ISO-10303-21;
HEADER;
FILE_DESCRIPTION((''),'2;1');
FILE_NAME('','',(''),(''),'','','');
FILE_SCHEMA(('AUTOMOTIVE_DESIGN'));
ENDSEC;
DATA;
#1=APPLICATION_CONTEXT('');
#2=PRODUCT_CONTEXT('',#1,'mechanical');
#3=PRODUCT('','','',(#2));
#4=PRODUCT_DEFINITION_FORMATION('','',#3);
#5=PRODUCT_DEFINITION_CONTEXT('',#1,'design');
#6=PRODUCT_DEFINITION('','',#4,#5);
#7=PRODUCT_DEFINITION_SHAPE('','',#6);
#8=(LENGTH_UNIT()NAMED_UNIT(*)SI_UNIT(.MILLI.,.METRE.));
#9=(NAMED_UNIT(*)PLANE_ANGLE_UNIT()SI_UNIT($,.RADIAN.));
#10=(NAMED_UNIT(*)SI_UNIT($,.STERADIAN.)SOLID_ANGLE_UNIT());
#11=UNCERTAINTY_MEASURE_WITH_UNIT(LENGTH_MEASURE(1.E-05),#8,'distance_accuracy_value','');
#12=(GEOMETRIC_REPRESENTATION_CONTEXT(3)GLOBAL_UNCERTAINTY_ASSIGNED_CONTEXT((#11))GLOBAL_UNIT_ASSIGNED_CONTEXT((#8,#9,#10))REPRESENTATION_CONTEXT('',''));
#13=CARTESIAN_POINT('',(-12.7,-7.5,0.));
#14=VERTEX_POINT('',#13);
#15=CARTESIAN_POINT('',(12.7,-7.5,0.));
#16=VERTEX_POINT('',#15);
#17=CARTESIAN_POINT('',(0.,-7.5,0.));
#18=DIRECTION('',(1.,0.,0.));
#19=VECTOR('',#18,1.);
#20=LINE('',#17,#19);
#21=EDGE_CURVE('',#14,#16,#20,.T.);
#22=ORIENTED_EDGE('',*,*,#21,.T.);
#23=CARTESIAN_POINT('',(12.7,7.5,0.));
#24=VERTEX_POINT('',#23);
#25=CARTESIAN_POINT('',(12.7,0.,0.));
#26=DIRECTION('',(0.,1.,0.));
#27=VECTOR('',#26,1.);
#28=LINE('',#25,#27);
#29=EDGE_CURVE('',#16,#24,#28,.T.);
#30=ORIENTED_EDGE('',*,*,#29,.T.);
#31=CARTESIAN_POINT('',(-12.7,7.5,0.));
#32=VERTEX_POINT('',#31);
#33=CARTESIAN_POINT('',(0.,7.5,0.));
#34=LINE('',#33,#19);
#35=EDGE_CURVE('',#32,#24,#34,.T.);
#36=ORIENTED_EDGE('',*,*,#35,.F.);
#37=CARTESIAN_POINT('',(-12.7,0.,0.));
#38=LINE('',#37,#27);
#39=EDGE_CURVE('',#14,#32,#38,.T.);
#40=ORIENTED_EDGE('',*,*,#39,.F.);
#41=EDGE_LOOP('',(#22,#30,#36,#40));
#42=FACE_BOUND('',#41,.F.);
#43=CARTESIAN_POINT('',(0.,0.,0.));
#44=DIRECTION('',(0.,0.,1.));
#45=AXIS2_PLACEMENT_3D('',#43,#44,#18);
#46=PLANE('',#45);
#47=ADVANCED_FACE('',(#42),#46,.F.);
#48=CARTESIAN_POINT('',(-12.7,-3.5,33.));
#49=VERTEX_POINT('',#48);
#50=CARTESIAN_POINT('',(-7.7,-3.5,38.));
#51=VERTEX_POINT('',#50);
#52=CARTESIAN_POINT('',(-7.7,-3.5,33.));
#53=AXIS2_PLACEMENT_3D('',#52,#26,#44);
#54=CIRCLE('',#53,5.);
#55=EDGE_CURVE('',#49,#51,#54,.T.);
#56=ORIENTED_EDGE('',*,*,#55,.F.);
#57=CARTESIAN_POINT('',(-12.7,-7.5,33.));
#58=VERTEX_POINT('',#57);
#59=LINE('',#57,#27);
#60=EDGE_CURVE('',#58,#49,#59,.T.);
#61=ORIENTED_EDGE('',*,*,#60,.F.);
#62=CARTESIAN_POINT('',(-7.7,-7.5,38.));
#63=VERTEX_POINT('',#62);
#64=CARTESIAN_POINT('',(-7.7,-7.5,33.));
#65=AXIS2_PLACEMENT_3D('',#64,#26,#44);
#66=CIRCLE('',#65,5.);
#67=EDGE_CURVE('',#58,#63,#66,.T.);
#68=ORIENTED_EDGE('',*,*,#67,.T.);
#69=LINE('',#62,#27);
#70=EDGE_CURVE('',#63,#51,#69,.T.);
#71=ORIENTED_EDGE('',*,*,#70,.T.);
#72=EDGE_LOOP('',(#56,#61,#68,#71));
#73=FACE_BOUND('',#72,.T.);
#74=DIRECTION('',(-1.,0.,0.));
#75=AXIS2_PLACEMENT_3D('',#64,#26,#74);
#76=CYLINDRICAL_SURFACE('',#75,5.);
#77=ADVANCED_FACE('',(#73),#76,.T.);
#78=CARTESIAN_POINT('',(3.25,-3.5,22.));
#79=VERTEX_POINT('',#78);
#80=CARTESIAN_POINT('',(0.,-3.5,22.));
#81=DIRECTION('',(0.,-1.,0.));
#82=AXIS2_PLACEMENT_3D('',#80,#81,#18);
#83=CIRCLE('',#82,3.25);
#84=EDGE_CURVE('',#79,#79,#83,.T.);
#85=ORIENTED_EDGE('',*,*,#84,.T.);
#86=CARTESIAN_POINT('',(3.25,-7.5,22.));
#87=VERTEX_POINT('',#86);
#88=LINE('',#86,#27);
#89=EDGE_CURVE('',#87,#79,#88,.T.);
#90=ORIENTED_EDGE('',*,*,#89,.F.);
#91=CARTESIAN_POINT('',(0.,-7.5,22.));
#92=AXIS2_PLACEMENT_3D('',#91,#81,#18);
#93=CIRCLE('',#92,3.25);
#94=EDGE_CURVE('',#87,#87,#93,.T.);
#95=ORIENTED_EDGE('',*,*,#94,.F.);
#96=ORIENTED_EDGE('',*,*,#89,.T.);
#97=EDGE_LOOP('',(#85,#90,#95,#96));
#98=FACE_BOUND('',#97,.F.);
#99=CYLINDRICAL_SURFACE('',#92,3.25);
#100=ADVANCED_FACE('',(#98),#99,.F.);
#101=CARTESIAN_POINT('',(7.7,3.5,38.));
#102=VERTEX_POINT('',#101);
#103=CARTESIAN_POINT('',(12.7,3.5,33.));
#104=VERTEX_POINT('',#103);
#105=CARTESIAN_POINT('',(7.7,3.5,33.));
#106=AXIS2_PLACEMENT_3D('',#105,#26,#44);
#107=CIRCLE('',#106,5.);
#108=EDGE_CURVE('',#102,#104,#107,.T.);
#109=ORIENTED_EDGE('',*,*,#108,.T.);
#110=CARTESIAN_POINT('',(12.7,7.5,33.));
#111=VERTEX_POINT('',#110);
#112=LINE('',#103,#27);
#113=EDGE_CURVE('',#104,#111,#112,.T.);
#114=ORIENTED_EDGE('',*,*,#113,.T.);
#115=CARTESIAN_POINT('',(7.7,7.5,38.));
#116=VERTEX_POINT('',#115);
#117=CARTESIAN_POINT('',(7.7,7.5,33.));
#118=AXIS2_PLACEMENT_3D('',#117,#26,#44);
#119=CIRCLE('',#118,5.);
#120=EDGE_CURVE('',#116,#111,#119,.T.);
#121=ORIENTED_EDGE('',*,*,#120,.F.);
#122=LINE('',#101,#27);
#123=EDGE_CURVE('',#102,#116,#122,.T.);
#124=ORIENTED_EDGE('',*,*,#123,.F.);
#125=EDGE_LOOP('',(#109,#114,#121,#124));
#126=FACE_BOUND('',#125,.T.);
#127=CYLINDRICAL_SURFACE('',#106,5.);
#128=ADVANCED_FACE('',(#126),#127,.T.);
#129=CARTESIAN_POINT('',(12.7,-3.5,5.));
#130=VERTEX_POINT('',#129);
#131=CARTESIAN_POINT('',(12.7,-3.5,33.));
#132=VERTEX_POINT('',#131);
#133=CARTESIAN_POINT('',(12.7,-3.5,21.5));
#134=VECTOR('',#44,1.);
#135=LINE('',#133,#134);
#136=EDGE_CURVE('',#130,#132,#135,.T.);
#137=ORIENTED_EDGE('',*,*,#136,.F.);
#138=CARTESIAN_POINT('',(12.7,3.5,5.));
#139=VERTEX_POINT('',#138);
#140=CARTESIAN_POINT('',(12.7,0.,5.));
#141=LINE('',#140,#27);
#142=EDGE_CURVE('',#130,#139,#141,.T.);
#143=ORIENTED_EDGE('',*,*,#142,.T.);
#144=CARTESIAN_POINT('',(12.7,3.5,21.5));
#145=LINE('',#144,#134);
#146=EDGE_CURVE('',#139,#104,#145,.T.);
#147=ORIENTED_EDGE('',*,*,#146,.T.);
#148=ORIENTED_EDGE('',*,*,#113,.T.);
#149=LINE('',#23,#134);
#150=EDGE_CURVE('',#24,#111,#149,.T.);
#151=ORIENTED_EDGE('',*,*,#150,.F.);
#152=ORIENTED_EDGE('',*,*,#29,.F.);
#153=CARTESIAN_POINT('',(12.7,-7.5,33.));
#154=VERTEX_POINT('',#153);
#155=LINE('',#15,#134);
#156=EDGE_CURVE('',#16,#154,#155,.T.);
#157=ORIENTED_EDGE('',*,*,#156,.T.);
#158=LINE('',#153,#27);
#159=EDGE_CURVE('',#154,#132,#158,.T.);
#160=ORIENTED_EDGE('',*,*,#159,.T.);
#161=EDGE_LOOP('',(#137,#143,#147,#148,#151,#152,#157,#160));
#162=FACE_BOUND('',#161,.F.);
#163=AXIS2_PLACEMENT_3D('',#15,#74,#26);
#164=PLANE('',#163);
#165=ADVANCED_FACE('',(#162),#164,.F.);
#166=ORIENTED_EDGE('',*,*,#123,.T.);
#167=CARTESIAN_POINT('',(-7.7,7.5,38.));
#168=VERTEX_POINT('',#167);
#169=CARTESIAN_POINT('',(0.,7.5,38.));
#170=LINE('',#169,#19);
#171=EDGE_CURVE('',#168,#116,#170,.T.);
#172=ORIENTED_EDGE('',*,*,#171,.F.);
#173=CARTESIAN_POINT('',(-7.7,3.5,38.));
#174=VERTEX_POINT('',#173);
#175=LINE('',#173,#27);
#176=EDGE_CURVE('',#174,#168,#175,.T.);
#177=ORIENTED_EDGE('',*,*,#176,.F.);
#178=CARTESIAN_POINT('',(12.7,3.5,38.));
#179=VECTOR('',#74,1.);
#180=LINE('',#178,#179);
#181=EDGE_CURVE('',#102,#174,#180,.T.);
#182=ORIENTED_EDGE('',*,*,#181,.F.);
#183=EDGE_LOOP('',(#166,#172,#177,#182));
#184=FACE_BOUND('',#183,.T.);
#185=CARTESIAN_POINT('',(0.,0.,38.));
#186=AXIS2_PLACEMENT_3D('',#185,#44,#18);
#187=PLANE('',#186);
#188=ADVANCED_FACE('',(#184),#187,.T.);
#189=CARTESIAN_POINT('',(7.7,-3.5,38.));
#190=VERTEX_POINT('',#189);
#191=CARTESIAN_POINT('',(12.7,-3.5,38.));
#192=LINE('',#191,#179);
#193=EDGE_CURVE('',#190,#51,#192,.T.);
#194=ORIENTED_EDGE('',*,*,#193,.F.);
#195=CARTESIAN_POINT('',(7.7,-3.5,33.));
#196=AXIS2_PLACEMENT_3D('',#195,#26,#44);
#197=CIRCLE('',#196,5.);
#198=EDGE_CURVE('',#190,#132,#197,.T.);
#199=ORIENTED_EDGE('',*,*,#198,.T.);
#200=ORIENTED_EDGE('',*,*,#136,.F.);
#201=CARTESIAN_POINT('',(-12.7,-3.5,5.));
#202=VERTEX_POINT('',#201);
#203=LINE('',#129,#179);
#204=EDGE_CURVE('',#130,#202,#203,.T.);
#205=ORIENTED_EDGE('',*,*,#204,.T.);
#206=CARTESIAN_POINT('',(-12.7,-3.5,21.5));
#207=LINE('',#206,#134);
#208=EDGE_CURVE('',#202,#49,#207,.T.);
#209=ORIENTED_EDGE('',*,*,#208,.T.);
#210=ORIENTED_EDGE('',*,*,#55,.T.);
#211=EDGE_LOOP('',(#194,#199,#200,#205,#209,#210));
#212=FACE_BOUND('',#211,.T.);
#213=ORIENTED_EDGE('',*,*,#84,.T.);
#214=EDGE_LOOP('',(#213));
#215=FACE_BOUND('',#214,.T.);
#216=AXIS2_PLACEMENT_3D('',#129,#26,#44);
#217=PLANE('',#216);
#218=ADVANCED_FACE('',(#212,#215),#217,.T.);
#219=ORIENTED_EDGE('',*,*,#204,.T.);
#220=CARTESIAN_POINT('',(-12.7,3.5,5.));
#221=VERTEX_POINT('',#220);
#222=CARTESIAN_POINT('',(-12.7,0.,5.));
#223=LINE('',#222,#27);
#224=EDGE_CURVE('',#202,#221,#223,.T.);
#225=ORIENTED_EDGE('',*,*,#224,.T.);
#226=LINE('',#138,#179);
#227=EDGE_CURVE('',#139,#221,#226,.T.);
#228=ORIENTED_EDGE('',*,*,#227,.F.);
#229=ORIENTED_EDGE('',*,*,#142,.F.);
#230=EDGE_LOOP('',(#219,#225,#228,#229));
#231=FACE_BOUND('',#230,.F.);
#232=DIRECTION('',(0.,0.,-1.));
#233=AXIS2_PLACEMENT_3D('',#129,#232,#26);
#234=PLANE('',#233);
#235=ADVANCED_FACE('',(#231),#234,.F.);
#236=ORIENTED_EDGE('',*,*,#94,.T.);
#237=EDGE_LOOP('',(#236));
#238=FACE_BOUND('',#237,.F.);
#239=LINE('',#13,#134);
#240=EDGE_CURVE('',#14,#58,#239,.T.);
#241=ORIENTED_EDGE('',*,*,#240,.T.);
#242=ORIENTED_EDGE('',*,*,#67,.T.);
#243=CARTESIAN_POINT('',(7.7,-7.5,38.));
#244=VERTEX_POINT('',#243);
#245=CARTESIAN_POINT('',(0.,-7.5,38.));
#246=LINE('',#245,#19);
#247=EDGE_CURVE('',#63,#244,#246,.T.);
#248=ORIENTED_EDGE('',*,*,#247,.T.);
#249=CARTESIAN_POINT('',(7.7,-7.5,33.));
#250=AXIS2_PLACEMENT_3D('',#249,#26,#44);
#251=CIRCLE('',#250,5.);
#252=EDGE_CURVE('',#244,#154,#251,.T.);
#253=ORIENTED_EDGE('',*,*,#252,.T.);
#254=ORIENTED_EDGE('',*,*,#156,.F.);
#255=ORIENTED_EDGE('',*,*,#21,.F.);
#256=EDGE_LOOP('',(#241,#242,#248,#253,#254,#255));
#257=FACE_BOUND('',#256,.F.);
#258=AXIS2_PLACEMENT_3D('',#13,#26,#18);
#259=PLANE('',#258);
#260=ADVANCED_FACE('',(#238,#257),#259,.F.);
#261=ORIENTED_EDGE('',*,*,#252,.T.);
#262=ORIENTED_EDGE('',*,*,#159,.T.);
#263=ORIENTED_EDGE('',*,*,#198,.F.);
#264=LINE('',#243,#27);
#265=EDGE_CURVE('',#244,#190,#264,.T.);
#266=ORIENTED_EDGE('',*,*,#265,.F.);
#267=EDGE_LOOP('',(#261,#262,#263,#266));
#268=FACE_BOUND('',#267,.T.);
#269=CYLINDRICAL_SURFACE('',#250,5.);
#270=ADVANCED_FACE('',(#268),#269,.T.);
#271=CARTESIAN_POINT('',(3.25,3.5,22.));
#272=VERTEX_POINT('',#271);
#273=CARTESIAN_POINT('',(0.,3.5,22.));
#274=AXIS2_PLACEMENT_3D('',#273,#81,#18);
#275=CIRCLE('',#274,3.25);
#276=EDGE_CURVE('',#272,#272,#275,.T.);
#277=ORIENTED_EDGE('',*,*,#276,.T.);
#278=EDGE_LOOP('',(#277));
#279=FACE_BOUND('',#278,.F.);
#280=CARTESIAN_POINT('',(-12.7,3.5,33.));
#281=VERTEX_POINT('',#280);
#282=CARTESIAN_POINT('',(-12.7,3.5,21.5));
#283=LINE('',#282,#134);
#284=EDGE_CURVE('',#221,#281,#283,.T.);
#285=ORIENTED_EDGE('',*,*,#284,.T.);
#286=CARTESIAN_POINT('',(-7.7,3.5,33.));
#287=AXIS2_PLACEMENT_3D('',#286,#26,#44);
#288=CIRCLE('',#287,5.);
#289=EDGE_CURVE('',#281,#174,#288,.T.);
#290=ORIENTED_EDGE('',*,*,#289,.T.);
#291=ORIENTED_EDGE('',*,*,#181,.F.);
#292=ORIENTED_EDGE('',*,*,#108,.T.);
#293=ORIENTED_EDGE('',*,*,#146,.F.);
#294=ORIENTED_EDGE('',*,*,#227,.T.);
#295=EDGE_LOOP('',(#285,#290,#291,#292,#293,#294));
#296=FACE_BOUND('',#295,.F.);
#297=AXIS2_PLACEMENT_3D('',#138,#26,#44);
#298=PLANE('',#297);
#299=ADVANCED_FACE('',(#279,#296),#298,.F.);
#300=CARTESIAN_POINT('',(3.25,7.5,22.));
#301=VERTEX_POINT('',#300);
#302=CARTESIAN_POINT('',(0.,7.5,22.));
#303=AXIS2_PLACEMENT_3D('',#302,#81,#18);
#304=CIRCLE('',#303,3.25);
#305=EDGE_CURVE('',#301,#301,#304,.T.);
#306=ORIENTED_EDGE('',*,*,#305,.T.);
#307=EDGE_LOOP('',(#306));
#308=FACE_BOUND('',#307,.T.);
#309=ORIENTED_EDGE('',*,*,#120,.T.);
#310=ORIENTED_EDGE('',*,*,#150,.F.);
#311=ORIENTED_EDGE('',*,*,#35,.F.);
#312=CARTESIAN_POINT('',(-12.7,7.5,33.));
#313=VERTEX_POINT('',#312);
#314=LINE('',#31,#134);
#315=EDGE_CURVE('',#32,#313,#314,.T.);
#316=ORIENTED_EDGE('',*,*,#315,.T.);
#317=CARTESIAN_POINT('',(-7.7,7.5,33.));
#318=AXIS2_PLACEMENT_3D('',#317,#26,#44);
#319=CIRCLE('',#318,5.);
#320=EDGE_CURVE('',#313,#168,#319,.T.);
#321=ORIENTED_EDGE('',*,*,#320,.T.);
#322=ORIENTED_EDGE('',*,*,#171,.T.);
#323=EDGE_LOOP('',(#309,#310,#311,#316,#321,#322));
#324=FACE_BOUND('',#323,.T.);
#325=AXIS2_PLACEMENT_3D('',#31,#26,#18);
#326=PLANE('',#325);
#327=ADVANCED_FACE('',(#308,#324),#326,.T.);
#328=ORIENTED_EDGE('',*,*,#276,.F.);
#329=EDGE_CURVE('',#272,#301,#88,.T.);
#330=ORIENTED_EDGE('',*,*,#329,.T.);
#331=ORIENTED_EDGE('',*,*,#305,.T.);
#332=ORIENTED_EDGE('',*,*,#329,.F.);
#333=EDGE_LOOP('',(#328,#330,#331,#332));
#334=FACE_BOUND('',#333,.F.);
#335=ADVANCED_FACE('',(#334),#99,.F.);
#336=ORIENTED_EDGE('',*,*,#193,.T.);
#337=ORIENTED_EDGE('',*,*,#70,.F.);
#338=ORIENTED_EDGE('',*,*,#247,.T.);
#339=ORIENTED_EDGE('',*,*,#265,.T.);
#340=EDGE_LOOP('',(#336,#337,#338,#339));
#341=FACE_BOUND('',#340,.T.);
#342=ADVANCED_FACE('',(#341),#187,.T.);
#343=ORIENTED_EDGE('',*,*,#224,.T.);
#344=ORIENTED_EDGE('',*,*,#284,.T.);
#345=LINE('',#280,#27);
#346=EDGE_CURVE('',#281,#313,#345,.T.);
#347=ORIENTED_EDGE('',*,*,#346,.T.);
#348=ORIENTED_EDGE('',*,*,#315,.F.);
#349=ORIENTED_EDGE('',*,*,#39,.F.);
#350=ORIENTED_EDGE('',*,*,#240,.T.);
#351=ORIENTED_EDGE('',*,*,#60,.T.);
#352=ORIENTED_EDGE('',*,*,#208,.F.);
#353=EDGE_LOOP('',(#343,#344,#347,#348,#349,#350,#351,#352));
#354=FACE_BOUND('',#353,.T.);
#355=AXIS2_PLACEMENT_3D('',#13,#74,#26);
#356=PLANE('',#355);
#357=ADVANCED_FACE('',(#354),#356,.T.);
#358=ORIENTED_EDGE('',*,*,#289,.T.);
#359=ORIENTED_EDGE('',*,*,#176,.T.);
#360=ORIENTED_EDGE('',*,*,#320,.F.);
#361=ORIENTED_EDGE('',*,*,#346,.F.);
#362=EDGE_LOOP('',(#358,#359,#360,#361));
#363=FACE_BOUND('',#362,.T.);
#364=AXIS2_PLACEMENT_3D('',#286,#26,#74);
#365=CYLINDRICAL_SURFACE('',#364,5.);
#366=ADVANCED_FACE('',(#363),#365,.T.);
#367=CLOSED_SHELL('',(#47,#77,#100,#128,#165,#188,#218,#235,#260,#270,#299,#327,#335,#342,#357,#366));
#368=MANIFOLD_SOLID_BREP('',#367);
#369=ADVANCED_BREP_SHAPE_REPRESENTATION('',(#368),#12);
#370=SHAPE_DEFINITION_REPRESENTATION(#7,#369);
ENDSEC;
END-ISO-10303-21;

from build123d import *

# Parameters (mm, degrees)
F0_W     = 25.4
F0_H     = 15
F1_DEPTH = 38
F2_W     = 7
F2_H     = 33
F3_DEPTH = 25.4
F4_R     = 5
F5_R     = 3.25
F6_DEPTH = 25


with BuildPart() as f1:
    # F0 (on Top) → F1 (new body)
    with BuildSketch(Plane.XY):
        Rectangle(F0_W, F0_H)
    extrude(amount=F1_DEPTH)

    # F2 (on face) → F3 (cut, through all)
    with BuildSketch(Plane.YZ.offset(12.7)):
        with Locations((0, 21.5)):
            Rectangle(F2_W, F2_H)
    extrude(amount=-F3_DEPTH, mode=Mode.SUBTRACT)

    # F4
    f4_edges = [f1.edges().sort_by_distance(p)[0] for p in [
        (12.7, 5.5, 38),
        (12.7, -5.5, 38),
        (-12.7, -5.5, 38),
        (-12.7, 5.5, 38),
    ]]
    fillet(f4_edges, radius=F4_R)

    # F5 (on face) → F6 (cut)
    with BuildSketch(Plane.XZ.offset(7.5)):
        with Locations((0, 22)):
            Circle(F5_R)
    extrude(amount=-F6_DEPTH, mode=Mode.SUBTRACT)


solid = f1.part
